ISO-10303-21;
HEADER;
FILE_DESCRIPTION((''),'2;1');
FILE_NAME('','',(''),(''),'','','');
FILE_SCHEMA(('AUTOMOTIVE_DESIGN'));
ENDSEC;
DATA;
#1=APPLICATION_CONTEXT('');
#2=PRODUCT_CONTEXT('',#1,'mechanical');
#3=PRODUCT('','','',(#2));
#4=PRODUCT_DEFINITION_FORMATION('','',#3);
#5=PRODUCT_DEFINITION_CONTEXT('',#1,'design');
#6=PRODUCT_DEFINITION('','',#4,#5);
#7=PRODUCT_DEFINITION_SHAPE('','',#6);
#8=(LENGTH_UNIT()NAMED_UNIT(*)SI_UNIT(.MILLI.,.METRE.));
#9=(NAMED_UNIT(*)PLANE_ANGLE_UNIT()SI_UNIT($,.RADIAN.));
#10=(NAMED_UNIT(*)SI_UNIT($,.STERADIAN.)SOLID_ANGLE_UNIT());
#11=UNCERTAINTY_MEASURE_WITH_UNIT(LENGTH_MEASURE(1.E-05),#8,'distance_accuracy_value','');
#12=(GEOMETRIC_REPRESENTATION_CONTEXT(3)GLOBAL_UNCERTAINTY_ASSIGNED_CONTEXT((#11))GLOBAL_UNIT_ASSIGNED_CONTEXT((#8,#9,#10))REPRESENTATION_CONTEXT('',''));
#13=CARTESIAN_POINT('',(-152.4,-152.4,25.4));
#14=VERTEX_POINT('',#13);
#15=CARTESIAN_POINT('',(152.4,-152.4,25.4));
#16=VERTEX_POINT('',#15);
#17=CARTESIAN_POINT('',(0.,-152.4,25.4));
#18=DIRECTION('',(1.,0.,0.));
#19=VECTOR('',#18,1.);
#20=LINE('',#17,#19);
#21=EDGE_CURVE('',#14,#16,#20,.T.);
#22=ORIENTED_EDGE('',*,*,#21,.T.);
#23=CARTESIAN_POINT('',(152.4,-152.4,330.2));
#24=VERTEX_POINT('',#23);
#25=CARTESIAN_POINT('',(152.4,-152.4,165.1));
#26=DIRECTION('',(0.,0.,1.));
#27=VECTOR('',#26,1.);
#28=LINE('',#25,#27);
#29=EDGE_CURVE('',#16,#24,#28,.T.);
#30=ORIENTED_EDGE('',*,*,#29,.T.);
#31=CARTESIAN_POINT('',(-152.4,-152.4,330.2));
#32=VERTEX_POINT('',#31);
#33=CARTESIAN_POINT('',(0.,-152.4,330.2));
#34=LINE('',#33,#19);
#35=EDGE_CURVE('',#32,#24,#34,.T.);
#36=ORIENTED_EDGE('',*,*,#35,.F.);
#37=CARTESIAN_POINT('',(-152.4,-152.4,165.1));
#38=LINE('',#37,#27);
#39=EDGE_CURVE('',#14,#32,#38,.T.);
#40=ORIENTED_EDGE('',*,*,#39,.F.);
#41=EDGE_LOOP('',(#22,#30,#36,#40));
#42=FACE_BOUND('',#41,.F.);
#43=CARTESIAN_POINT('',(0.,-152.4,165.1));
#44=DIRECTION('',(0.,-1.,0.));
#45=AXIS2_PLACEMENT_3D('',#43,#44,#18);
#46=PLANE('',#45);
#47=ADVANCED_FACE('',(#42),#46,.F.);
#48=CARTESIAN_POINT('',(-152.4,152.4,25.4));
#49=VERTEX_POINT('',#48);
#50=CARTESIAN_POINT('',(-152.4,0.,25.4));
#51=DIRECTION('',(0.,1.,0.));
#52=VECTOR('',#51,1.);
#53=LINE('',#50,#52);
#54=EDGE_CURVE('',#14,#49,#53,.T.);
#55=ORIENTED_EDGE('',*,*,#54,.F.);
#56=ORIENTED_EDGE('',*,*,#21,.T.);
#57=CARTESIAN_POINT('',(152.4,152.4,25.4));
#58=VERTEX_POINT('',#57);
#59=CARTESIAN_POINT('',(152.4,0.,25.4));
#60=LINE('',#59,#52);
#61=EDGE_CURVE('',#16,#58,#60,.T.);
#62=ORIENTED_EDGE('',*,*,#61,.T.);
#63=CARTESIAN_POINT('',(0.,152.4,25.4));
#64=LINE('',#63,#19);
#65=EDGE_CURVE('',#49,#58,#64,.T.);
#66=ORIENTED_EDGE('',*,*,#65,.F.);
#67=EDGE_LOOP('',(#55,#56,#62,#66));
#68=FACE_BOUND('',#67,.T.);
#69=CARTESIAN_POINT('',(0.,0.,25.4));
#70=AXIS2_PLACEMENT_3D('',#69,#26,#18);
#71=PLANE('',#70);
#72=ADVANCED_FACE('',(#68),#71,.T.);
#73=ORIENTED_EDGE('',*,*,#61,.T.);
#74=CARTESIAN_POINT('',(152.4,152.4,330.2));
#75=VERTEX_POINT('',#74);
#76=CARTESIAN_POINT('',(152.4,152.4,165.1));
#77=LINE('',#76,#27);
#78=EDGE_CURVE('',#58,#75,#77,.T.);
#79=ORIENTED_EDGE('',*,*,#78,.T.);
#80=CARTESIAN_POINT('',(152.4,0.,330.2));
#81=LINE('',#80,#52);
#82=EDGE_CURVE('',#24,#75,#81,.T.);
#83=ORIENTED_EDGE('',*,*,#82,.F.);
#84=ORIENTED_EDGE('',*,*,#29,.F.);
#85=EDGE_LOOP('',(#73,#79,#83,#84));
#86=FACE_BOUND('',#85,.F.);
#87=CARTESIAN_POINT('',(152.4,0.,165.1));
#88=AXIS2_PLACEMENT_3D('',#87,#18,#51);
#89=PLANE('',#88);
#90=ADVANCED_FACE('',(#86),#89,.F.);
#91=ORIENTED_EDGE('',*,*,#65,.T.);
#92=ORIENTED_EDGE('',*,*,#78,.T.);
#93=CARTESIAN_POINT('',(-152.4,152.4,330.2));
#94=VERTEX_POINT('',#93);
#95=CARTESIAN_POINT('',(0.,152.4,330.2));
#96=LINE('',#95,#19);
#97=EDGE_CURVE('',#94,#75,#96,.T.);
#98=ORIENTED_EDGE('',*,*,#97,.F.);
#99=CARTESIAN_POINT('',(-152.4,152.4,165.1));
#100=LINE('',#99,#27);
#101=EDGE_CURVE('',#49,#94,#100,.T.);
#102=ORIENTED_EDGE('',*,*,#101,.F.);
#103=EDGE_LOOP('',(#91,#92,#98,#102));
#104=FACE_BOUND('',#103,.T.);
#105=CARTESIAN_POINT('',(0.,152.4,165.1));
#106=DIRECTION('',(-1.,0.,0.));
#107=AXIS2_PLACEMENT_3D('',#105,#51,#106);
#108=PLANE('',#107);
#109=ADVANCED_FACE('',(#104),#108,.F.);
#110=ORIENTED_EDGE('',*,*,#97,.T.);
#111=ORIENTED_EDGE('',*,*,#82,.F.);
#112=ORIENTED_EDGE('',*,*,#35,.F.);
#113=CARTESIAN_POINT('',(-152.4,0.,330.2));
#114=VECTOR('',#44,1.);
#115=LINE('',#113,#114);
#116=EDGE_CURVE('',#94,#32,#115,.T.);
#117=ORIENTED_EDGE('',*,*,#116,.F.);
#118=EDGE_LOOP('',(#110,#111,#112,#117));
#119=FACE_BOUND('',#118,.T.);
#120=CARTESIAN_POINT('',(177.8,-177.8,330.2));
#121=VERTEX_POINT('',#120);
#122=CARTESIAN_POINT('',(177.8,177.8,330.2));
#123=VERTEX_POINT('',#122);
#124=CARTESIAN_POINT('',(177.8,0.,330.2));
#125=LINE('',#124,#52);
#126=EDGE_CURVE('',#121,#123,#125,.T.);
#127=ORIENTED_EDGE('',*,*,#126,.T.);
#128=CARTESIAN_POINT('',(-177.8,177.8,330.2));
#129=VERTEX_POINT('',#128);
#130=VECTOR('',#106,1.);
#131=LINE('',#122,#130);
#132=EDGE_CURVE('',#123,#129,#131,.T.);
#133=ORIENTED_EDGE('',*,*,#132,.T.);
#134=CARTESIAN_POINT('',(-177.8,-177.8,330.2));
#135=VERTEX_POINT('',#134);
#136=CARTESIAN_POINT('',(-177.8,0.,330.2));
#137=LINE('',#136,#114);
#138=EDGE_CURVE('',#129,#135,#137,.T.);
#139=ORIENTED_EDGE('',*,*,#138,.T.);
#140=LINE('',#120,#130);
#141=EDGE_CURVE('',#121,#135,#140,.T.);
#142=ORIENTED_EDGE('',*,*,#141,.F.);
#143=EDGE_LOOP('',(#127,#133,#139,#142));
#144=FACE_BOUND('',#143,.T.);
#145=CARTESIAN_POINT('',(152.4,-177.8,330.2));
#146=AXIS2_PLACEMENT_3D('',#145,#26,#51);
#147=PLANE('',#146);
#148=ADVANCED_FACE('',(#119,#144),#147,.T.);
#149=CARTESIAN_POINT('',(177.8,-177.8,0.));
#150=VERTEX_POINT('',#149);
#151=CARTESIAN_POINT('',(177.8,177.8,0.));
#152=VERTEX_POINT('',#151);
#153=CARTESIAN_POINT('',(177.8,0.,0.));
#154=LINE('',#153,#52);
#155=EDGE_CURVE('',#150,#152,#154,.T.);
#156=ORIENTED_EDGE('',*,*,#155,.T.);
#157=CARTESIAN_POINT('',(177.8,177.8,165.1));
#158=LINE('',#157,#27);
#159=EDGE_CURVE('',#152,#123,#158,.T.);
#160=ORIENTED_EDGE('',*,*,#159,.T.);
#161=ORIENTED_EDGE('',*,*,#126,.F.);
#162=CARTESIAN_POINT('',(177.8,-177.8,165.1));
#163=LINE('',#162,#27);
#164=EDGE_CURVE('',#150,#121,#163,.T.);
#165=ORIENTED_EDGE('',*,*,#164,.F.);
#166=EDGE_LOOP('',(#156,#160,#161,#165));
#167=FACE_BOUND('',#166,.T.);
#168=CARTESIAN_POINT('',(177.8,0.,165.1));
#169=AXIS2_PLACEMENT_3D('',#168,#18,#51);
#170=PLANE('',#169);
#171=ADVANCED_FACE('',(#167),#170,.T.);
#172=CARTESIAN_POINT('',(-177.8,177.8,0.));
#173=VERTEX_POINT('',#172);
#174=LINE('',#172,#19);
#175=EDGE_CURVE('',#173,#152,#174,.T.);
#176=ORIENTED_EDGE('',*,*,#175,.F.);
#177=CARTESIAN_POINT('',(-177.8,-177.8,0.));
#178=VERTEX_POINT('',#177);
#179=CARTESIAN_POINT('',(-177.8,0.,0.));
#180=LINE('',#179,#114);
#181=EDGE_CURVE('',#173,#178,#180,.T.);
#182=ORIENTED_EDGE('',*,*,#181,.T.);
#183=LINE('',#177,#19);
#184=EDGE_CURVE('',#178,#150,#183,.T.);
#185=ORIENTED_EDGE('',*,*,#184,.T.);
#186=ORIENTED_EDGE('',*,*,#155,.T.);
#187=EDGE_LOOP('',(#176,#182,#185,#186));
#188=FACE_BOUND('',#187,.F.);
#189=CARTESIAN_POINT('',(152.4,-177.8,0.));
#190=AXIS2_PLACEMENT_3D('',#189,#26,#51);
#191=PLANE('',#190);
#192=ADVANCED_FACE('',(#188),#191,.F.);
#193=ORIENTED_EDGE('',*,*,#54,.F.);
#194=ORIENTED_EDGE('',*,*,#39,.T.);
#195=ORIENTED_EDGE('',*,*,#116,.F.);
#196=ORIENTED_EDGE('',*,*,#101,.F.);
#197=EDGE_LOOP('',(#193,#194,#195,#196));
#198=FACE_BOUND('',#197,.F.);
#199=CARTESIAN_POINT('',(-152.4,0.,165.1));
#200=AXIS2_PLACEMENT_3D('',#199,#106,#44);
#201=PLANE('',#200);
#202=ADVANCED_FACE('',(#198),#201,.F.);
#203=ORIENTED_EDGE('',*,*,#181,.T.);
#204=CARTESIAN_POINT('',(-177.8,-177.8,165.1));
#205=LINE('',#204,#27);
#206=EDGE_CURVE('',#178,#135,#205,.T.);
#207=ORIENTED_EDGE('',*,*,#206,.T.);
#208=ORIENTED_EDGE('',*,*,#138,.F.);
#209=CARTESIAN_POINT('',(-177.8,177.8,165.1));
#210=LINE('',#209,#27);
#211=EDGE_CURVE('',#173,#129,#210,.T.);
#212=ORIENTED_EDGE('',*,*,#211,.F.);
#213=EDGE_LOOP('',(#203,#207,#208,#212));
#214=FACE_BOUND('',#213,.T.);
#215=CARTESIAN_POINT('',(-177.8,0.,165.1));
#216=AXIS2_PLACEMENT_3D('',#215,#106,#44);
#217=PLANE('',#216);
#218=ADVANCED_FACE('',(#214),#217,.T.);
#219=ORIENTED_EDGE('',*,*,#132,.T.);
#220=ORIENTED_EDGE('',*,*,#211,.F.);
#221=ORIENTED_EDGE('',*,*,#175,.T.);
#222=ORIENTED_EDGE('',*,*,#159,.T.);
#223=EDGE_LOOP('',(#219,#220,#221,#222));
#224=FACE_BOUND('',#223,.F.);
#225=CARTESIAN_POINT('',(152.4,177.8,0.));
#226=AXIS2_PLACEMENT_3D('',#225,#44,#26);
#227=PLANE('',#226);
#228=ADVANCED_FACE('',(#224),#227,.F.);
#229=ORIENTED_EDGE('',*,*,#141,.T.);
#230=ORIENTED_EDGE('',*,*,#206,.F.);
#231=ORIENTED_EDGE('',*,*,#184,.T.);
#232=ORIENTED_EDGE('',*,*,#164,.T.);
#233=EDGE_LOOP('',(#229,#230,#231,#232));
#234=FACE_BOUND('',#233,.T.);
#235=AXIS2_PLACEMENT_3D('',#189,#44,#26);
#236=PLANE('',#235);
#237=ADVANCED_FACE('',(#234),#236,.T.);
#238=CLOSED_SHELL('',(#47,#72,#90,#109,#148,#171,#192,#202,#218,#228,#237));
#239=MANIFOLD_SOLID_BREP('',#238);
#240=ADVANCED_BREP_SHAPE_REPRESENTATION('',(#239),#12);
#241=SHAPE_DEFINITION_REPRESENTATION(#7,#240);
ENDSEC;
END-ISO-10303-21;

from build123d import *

# Parameters (mm, degrees)
F0_W     = 304.8
F0_H     = 304.8
F1_DEPTH = 25.4
F2_W     = 304.8
F2_H     = 330.2
F3_DEPTH = 25.4
F5_W     = 355.6
F5_H     = 330.2
F6_DEPTH = 25.4
F7_W     = 355.6
F7_H     = 330.2
F8_DEPTH = 25.4


with BuildPart() as f1:
    # F0 (on Top) → F1 (new body)
    with BuildSketch(Plane.XY):
        Rectangle(F0_W, F0_H)
    extrude(amount=F1_DEPTH)

    # F2 (on face) → F3 (join)
    with BuildSketch(Plane.XZ.offset(152.4)):
        with Locations((0, 165.1)):
            Rectangle(F2_W, F2_H)
    extrude(amount=F3_DEPTH)

    # F4: F1 across plane


with BuildPart() as f1_1:
    add(f1.part)
    add(f1.part.mirror(Plane.XZ))

    # F5 (on face) → F6 (join)
    with BuildSketch(Plane(origin=(-152.4, 0, 0), x_dir=(0, -1, 0), z_dir=(-1, 0, 0))):
        with Locations((0, 165.1)):
            Rectangle(F5_W, F5_H)
    extrude(amount=F6_DEPTH)

    # F7 (on face) → F8 (join)
    with BuildSketch(Plane.YZ.offset(152.4)):
        with Locations((0, 165.1)):
            Rectangle(F7_W, F7_H)
    extrude(amount=F8_DEPTH)


solid = f1_1.part
